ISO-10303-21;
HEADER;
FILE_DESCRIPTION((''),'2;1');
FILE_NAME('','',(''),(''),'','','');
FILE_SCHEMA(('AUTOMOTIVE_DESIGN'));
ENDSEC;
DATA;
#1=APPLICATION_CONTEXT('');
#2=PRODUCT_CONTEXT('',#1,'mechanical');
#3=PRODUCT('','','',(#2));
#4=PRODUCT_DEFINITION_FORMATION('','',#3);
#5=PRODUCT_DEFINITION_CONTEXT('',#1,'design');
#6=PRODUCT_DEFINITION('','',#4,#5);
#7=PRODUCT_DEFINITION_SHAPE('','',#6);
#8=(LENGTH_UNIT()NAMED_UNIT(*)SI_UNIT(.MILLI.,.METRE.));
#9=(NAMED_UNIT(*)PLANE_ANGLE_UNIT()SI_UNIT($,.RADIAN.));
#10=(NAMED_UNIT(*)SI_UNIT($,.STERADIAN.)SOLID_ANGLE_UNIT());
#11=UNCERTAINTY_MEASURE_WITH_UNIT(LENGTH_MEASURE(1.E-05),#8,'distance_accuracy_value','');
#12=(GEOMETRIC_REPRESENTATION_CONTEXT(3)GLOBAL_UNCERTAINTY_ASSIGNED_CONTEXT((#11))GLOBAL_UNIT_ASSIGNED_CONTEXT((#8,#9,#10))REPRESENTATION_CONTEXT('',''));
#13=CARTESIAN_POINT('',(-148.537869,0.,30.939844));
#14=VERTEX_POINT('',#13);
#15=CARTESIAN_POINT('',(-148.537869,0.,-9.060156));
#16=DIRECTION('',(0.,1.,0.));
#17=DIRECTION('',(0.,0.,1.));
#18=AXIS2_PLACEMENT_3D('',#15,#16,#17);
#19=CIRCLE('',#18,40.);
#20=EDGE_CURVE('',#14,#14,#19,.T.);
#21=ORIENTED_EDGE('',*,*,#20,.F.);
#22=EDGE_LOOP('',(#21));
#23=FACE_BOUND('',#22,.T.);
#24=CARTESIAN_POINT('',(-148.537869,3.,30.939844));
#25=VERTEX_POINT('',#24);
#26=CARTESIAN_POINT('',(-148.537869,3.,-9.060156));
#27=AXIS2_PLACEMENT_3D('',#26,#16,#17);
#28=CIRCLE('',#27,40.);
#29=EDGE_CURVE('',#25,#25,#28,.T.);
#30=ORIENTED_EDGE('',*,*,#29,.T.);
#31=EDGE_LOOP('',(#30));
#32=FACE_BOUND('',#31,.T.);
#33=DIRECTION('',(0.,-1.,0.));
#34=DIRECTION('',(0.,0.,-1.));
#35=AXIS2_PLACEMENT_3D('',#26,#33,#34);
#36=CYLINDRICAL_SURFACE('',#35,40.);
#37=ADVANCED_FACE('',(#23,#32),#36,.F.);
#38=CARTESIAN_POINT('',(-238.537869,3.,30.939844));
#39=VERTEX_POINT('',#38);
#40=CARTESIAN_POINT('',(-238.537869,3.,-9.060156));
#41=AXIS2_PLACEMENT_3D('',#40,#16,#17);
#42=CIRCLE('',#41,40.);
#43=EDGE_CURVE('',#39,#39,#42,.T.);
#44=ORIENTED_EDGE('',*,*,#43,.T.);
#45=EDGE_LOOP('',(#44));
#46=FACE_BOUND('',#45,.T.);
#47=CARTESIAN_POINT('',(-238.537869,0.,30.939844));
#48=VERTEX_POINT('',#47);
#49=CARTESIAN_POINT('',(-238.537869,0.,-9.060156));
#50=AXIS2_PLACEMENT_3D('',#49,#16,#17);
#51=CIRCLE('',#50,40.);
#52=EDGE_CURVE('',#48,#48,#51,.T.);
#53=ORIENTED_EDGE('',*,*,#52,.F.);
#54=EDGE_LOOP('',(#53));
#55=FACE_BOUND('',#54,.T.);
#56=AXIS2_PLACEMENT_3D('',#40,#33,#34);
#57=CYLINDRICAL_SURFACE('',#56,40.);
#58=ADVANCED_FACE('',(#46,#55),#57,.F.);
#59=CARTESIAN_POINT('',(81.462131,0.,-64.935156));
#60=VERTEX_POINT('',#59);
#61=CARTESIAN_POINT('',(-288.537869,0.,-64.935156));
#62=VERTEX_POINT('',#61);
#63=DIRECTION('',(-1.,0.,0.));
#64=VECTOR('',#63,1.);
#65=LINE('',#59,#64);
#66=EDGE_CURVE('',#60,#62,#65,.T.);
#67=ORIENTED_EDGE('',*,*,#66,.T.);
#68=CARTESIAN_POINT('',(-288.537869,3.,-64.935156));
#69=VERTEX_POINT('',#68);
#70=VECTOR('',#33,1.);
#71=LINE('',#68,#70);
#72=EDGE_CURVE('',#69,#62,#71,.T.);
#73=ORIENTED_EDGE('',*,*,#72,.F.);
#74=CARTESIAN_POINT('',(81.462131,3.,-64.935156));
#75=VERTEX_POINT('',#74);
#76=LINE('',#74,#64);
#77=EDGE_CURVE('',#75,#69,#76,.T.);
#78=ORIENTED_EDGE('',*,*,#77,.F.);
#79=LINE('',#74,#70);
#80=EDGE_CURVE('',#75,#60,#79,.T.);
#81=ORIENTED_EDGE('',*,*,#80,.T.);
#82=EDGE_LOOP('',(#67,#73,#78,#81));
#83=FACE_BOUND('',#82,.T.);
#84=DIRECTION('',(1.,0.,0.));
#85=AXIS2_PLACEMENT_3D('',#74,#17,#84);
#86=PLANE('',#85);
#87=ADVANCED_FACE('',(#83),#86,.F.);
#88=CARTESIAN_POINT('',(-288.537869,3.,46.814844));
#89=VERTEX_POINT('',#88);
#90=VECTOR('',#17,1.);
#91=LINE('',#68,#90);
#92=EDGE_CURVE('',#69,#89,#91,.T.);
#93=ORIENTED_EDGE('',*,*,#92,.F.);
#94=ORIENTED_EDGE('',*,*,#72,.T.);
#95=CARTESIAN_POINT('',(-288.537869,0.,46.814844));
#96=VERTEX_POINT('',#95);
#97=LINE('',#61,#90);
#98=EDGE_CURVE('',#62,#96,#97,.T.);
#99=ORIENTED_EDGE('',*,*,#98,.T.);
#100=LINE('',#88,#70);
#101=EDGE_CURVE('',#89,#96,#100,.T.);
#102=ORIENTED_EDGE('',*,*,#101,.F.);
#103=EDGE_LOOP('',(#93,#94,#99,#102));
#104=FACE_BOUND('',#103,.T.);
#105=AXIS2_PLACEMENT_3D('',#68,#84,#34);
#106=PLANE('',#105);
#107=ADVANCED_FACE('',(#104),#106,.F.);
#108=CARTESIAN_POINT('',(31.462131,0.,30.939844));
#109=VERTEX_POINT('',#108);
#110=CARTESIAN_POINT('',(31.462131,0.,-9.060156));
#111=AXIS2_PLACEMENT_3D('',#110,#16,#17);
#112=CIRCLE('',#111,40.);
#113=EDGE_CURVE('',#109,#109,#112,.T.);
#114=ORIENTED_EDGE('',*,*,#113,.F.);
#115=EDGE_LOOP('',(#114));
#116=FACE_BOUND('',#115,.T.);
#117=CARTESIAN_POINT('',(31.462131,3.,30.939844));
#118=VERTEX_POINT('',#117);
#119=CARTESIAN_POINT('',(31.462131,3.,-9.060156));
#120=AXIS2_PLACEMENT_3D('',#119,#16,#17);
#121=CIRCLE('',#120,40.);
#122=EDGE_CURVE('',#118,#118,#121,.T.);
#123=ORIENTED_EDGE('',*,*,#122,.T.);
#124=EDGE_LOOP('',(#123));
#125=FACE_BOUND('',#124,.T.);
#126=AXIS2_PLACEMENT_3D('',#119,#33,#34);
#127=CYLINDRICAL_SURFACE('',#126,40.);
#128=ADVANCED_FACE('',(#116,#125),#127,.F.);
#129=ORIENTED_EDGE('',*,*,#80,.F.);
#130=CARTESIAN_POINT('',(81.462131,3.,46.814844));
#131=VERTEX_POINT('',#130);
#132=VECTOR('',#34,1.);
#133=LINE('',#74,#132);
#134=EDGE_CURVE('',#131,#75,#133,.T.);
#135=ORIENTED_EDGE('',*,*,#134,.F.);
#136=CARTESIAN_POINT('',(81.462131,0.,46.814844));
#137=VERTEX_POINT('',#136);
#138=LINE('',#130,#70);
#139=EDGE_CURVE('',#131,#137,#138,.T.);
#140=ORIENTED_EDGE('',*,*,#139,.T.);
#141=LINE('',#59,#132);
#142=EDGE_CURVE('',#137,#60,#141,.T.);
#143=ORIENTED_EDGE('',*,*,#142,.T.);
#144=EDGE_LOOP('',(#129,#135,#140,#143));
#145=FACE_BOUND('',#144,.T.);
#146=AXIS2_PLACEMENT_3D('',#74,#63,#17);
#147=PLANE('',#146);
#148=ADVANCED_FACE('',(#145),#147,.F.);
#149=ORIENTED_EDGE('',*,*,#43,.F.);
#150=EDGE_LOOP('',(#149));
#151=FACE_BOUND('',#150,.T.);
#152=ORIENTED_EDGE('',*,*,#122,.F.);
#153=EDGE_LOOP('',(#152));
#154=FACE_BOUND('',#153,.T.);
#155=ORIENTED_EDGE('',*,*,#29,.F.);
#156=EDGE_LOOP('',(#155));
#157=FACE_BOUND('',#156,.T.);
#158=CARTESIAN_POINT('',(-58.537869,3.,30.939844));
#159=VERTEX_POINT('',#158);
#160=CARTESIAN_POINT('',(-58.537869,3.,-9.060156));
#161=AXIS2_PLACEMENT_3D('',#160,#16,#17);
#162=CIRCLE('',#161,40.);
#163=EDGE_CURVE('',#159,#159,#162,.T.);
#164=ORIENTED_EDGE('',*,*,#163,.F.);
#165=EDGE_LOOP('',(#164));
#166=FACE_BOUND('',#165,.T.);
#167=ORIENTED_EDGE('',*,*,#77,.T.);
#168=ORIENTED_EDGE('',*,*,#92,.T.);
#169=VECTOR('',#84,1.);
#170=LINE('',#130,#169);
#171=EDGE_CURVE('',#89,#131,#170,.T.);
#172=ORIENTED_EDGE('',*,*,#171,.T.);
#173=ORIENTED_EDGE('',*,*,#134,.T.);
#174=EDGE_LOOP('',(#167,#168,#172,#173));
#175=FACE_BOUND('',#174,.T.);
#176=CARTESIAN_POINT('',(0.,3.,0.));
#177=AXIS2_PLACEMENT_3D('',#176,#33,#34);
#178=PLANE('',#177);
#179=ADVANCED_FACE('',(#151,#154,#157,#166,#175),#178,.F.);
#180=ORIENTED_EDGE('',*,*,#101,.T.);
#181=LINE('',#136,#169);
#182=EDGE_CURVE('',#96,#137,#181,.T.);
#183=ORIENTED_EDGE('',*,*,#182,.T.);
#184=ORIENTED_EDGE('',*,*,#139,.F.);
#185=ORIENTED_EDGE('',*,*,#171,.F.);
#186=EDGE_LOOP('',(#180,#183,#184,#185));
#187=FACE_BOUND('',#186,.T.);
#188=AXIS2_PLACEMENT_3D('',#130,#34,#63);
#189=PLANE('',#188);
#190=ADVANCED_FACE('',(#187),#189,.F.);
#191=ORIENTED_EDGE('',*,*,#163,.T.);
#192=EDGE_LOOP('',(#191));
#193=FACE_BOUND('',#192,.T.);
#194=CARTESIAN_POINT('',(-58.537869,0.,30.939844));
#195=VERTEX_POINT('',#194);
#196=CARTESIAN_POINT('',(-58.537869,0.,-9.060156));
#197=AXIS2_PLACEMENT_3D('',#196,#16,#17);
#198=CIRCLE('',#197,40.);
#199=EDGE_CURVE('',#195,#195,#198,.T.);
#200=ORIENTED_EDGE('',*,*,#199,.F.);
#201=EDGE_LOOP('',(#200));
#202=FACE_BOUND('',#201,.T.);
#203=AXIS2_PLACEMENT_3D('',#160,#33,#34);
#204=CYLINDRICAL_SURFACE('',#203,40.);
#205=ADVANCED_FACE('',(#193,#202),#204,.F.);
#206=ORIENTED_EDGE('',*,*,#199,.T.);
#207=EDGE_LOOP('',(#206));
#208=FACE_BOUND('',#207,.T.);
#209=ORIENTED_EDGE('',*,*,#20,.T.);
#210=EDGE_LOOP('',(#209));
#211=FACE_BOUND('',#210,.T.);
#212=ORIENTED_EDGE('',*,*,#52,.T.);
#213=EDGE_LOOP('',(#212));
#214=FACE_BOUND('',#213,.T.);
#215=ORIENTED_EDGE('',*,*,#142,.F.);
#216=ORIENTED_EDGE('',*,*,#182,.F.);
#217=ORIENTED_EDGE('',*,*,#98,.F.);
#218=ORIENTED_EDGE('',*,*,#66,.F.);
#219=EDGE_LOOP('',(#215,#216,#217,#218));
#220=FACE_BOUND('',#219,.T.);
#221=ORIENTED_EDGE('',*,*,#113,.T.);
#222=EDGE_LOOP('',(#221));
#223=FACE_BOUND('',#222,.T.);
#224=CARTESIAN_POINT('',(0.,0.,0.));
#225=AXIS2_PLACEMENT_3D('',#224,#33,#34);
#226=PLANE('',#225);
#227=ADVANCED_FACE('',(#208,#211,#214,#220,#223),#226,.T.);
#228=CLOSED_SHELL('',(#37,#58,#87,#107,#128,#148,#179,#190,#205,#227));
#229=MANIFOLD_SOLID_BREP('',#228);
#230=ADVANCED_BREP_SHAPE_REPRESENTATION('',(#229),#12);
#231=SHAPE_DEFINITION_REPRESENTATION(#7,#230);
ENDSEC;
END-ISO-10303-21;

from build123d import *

# Parameters (mm, degrees)
SKETCH1_W           = 370
SKETCH1_H           = 111.75
SKETCH1_R           = 40
BOSS_EXTRUDE1_DEPTH = 3


with BuildPart() as part:
    # Sketch1 → Boss-Extrude1 (new body)
    with BuildSketch(Plane(origin=(0, 0, 0), x_dir=(1, 0, 0), z_dir=(0, 1, 0))):
        with Locations((-103.537869001, 9.06015636)):
            Rectangle(SKETCH1_W, SKETCH1_H)
        with Locations(Location((-238.537869001, 9.06015636, 0), (0, 0, 270))):
            Circle(SKETCH1_R, mode=Mode.SUBTRACT)
        with Locations(Location((-148.537869001, 9.06015636, 0), (0, 0, 270))):
            Circle(SKETCH1_R, mode=Mode.SUBTRACT)
        with Locations(Location((-58.537869001, 9.06015636, 0), (0, 0, 270))):
            Circle(SKETCH1_R, mode=Mode.SUBTRACT)
        with Locations(Location((31.462130999, 9.06015636, 0), (0, 0, 270))):
            Circle(SKETCH1_R, mode=Mode.SUBTRACT)
    extrude(amount=BOSS_EXTRUDE1_DEPTH)


solid = part.part
